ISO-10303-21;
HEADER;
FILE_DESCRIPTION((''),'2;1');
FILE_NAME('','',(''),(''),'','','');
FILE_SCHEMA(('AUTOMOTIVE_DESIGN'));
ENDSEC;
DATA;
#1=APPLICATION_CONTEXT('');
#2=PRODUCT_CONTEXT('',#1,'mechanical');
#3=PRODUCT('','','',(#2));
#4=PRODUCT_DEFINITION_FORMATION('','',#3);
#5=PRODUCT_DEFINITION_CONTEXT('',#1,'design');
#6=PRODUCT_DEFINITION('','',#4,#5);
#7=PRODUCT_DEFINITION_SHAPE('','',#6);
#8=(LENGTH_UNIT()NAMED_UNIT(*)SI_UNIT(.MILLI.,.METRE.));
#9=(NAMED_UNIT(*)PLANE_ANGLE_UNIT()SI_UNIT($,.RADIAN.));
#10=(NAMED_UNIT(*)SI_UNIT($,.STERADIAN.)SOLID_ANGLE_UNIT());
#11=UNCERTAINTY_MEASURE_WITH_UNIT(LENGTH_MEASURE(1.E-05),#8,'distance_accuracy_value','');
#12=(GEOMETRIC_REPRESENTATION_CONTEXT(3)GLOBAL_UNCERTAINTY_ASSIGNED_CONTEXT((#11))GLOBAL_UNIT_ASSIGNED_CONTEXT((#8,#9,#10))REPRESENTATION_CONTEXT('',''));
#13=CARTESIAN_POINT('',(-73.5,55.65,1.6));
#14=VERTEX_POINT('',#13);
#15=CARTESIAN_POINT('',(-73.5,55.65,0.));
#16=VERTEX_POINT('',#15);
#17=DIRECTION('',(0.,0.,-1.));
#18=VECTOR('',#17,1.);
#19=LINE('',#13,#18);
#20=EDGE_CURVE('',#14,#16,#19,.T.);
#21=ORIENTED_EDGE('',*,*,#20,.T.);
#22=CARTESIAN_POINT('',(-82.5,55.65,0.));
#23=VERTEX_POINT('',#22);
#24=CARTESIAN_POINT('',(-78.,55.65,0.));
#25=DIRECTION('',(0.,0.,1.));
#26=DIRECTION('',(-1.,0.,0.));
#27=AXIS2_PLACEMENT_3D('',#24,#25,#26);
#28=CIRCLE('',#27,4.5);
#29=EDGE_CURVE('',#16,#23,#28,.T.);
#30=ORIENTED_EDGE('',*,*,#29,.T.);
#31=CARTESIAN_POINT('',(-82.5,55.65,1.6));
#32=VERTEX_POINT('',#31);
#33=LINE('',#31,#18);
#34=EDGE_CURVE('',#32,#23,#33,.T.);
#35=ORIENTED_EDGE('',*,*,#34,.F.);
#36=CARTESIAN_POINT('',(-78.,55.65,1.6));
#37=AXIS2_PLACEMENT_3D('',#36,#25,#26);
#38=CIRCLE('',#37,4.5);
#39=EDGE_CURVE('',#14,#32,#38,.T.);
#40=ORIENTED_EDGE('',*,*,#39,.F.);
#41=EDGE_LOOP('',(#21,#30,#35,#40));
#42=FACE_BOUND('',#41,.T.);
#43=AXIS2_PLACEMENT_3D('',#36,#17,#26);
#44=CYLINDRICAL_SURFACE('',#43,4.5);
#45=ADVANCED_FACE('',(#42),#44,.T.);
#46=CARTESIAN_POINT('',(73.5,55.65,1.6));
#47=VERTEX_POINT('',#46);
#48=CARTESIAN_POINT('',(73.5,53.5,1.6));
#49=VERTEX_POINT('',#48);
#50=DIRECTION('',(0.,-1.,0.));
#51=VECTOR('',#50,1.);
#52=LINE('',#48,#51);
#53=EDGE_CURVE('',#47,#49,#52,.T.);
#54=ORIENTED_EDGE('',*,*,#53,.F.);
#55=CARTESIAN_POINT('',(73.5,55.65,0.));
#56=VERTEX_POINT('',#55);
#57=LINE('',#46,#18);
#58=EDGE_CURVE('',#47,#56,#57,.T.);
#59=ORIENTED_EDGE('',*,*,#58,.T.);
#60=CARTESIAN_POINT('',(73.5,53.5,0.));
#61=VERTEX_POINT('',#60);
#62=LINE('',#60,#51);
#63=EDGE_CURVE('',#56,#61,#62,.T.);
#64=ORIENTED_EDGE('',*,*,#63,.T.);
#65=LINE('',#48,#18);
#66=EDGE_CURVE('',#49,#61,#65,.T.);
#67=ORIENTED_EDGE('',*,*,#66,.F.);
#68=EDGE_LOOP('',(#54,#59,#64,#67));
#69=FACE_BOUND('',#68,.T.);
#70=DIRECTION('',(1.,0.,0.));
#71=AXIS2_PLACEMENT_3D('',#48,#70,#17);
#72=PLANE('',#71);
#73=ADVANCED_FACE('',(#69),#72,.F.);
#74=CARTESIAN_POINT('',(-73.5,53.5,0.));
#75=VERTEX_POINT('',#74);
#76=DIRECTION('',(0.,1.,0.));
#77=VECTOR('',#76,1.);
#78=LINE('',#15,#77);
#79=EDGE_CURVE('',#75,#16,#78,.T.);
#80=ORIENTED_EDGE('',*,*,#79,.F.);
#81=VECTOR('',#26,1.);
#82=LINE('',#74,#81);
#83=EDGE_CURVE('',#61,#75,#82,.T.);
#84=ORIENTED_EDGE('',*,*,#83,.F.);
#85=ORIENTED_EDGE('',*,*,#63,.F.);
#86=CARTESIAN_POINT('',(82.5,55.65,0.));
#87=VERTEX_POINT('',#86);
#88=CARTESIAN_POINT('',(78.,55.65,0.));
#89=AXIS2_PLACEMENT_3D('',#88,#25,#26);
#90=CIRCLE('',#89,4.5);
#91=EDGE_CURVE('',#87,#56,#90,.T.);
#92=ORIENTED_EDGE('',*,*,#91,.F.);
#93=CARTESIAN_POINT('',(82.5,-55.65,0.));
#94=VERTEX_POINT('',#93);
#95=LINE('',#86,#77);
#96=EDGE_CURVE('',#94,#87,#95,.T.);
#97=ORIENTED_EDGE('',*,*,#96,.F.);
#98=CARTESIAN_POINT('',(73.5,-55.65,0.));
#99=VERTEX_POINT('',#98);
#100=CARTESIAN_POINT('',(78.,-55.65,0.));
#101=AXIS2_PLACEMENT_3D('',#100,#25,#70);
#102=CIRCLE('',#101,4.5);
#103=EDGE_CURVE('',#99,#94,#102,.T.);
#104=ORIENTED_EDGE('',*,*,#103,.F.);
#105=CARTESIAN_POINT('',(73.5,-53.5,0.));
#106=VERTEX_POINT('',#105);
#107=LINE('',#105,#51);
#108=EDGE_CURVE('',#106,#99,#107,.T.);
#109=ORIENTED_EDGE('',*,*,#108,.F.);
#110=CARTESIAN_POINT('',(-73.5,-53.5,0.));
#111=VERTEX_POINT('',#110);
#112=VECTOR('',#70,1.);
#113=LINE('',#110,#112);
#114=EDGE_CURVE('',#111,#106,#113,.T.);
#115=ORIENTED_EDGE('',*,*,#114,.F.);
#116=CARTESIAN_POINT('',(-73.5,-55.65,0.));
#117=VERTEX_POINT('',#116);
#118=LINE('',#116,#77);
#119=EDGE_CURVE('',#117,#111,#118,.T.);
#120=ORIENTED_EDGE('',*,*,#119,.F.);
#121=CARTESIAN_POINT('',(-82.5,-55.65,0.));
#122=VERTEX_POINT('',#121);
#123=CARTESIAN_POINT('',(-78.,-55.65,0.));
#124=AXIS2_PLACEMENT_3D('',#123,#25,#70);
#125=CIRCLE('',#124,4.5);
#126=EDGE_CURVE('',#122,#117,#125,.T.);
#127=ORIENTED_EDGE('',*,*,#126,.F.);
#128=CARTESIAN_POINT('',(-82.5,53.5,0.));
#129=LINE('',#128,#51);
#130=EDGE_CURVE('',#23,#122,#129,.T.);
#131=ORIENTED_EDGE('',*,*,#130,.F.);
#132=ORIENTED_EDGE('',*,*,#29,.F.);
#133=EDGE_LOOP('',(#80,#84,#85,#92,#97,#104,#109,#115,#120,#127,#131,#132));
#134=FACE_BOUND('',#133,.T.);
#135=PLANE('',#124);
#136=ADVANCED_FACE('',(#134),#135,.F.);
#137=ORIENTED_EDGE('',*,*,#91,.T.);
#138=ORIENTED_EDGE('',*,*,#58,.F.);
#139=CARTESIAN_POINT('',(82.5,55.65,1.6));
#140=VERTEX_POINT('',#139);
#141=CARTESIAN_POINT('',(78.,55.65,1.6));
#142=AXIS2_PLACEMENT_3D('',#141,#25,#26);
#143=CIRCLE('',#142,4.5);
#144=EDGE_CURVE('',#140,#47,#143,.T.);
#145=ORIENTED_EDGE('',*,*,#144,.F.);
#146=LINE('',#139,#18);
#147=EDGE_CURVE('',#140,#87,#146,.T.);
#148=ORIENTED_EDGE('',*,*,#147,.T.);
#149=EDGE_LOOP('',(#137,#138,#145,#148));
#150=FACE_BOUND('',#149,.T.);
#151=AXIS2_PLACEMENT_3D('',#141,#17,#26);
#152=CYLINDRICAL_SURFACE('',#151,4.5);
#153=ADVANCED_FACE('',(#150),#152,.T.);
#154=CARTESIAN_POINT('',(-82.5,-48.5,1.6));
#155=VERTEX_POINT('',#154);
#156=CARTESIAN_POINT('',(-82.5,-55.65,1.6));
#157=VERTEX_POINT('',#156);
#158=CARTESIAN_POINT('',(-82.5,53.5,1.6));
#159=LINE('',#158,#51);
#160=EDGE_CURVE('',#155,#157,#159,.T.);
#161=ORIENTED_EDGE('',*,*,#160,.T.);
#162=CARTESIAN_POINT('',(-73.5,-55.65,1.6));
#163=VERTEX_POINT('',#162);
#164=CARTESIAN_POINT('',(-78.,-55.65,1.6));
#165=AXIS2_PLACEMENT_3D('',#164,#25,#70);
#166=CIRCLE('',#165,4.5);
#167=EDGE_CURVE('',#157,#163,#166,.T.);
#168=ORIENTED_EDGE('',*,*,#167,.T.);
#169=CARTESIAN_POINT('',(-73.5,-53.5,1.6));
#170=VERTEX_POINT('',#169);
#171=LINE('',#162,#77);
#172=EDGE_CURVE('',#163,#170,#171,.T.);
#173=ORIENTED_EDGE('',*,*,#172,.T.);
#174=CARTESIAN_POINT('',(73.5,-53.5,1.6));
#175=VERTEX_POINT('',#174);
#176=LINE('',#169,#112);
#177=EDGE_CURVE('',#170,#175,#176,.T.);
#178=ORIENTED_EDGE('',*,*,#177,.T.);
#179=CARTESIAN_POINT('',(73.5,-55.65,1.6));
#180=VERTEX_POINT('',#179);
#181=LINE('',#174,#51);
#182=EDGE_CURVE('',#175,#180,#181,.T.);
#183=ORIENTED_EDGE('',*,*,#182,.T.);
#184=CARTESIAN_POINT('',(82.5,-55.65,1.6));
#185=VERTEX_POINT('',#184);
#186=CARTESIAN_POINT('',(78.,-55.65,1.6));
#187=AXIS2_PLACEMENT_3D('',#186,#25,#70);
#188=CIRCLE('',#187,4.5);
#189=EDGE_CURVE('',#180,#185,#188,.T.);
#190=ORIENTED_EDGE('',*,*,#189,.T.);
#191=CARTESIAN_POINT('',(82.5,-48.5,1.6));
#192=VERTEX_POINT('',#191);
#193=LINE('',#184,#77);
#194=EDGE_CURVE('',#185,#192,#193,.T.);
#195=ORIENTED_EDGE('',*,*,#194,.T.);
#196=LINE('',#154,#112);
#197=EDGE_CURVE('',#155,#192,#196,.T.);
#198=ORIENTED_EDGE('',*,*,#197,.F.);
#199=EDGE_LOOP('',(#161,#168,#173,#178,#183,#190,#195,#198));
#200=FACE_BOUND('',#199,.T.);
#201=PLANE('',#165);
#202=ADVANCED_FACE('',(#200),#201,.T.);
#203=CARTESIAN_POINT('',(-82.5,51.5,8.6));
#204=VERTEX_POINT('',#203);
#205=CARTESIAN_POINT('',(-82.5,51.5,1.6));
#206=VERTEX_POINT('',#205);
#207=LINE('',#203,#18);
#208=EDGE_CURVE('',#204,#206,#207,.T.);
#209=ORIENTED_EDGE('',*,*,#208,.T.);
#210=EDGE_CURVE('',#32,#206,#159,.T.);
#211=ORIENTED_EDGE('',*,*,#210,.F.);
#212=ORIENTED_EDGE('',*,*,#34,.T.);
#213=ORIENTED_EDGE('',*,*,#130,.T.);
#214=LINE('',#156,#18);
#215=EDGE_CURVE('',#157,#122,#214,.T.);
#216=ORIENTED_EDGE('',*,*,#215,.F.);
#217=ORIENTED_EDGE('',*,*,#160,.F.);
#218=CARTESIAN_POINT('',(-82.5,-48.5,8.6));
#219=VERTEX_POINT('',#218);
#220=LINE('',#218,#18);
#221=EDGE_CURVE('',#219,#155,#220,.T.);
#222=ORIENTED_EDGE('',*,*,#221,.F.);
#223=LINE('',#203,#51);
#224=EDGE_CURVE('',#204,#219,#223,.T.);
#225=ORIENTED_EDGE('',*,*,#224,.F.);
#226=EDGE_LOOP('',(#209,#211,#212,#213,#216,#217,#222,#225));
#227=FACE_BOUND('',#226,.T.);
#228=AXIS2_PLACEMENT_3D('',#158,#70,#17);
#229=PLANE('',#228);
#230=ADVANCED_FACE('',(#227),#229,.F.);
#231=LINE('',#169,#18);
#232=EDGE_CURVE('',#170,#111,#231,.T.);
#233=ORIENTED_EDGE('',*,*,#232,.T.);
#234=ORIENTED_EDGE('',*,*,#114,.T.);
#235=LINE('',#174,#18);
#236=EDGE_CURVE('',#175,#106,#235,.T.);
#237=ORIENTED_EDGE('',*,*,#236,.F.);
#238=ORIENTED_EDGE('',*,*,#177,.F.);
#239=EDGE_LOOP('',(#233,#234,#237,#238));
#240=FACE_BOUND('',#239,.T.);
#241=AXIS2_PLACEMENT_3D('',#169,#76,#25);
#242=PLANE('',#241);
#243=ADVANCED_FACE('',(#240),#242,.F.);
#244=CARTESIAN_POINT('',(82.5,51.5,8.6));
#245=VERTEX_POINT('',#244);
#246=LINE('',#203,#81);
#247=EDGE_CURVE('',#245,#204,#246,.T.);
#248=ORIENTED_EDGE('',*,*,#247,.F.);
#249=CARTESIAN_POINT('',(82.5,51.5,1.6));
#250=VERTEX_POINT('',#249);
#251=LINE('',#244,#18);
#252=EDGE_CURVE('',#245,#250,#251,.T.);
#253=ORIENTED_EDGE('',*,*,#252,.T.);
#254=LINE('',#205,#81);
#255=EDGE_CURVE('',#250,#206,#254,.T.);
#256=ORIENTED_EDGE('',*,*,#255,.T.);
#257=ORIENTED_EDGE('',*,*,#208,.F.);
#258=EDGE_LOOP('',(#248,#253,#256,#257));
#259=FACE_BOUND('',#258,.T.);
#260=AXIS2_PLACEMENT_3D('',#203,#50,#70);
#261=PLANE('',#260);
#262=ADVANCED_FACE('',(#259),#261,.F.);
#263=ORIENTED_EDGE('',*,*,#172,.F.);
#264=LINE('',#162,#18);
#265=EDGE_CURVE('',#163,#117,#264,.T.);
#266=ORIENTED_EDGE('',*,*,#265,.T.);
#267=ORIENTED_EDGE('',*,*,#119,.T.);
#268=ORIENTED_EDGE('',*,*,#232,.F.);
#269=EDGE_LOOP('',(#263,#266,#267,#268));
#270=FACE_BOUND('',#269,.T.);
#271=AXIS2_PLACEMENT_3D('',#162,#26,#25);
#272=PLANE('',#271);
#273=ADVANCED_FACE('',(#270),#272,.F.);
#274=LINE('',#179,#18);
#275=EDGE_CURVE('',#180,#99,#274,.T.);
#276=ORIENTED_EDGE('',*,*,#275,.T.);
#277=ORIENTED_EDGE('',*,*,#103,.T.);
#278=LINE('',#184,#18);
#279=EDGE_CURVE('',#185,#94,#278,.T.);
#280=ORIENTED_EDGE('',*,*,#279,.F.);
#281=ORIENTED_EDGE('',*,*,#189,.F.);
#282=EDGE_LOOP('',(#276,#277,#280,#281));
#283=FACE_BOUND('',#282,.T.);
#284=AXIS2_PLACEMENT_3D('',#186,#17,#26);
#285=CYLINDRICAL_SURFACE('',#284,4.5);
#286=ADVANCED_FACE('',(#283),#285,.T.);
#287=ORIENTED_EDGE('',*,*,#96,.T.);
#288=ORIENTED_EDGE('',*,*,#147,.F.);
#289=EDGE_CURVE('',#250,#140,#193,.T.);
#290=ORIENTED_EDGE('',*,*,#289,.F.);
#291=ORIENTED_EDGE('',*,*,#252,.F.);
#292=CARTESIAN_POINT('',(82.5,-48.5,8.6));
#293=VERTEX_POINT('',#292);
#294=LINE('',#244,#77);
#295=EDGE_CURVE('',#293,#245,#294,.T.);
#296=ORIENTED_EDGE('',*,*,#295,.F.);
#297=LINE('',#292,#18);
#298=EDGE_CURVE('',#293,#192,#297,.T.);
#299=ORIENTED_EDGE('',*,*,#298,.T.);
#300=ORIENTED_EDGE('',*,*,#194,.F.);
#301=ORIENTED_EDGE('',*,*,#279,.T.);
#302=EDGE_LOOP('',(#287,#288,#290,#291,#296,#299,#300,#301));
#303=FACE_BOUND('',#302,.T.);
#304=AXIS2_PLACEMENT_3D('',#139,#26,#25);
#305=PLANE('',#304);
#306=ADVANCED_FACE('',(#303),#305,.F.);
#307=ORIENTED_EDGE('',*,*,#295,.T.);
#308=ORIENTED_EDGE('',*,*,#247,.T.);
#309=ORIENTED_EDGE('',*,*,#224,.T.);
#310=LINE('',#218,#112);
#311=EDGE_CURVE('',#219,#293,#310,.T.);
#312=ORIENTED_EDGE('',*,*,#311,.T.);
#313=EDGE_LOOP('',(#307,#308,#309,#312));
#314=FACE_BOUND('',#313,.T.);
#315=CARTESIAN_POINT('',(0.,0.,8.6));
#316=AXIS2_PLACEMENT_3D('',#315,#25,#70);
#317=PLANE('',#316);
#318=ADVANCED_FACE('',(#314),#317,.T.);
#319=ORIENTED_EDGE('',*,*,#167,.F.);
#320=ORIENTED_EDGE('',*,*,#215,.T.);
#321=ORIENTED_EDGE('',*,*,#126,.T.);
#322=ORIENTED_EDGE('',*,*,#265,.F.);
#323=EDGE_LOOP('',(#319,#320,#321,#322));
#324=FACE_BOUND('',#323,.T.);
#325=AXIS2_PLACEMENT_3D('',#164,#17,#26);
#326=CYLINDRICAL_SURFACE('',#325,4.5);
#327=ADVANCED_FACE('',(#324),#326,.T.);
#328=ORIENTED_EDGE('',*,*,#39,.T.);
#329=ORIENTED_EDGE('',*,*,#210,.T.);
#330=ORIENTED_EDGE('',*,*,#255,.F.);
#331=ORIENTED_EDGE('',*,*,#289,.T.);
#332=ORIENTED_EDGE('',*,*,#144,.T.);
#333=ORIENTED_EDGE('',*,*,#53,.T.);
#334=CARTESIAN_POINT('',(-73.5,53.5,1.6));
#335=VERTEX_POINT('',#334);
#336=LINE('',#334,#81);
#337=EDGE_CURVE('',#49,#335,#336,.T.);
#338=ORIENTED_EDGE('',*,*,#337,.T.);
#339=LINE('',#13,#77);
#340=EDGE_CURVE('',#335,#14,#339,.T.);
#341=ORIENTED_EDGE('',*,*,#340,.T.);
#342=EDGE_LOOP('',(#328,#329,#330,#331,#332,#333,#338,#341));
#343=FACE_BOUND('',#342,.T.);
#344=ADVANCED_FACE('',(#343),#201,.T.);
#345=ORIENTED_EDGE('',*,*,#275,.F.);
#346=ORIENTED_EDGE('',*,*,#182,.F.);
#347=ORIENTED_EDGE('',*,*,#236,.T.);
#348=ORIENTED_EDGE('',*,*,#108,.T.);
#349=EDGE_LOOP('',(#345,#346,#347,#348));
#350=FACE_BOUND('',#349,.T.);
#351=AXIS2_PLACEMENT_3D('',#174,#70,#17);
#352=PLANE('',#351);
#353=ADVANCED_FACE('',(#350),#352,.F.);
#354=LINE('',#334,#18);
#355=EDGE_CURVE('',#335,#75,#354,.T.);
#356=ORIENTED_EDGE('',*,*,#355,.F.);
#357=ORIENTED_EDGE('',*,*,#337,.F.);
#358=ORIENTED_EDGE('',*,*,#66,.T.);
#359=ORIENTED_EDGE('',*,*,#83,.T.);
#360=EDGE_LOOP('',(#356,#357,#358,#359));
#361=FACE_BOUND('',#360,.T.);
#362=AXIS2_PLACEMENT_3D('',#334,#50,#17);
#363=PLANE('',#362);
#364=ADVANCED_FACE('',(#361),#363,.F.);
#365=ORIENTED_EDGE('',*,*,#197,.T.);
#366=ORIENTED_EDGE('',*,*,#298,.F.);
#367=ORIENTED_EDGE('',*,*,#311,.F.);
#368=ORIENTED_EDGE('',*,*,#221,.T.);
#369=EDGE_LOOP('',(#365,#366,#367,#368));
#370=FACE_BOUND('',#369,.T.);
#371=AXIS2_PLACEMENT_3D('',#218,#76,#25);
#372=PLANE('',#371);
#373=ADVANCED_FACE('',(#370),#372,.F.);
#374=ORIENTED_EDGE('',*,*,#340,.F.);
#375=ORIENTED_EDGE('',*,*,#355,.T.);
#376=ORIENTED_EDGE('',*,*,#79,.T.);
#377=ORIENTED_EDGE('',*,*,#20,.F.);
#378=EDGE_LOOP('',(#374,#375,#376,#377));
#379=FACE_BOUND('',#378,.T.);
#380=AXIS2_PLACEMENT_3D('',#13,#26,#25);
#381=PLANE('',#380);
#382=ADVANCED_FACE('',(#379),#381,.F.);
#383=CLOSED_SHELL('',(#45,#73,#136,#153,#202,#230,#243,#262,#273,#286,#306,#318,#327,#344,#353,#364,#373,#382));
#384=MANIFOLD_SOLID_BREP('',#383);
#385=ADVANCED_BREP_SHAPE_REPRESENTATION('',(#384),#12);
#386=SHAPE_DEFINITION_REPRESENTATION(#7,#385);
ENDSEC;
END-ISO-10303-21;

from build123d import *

# Parameters (mm, degrees)
BOSS_EXTRU_1_DEPTH = 1.6
ESQUISSE2_W        = 165
ESQUISSE2_H        = 100
BOSS_EXTRU_2_DEPTH = 7


with BuildPart() as part:
    # Esquisse1 → Boss.-Extru.1 (new body)
    with BuildSketch(Plane.XY):
        with BuildLine():
            Line((-82.5, 53.5), (-82.5, 55.65))
            ThreePointArc((-82.5, 55.65), (-78, 60.15), (-73.5, 55.65))
            Line((-73.5, 55.65), (-73.5, 53.5))
            Line((-73.5, 53.5), (73.5, 53.5))
            Line((73.5, 53.5), (73.5, 55.65))
            ThreePointArc((73.5, 55.65), (78, 60.15), (82.5, 55.65))
            Line((82.5, 55.65), (82.5, 53.5))
            Line((82.5, 53.5), (82.5, -53.5))
            Line((82.5, -53.5), (82.5, -55.65))
            ThreePointArc((82.5, -55.65), (78, -60.15), (73.5, -55.65))
            Line((73.5, -55.65), (73.5, -53.5))
            Line((73.5, -53.5), (-73.5, -53.5))
            Line((-73.5, -53.5), (-73.5, -55.65))
            ThreePointArc((-73.5, -55.65), (-78, -60.15), (-82.5, -55.65))
            Line((-82.5, -55.65), (-82.5, -53.5))
            Line((-82.5, -53.5), (-82.5, 53.5))
        make_face()
    extrude(amount=BOSS_EXTRU_1_DEPTH)

    # Esquisse2 → Boss.-Extru.2 (add)
    with BuildSketch(Plane.XY.offset(1.6)):
        with Locations((0, 1.5)):
            Rectangle(ESQUISSE2_W, ESQUISSE2_H)
    extrude(amount=BOSS_EXTRU_2_DEPTH)


solid = part.part
